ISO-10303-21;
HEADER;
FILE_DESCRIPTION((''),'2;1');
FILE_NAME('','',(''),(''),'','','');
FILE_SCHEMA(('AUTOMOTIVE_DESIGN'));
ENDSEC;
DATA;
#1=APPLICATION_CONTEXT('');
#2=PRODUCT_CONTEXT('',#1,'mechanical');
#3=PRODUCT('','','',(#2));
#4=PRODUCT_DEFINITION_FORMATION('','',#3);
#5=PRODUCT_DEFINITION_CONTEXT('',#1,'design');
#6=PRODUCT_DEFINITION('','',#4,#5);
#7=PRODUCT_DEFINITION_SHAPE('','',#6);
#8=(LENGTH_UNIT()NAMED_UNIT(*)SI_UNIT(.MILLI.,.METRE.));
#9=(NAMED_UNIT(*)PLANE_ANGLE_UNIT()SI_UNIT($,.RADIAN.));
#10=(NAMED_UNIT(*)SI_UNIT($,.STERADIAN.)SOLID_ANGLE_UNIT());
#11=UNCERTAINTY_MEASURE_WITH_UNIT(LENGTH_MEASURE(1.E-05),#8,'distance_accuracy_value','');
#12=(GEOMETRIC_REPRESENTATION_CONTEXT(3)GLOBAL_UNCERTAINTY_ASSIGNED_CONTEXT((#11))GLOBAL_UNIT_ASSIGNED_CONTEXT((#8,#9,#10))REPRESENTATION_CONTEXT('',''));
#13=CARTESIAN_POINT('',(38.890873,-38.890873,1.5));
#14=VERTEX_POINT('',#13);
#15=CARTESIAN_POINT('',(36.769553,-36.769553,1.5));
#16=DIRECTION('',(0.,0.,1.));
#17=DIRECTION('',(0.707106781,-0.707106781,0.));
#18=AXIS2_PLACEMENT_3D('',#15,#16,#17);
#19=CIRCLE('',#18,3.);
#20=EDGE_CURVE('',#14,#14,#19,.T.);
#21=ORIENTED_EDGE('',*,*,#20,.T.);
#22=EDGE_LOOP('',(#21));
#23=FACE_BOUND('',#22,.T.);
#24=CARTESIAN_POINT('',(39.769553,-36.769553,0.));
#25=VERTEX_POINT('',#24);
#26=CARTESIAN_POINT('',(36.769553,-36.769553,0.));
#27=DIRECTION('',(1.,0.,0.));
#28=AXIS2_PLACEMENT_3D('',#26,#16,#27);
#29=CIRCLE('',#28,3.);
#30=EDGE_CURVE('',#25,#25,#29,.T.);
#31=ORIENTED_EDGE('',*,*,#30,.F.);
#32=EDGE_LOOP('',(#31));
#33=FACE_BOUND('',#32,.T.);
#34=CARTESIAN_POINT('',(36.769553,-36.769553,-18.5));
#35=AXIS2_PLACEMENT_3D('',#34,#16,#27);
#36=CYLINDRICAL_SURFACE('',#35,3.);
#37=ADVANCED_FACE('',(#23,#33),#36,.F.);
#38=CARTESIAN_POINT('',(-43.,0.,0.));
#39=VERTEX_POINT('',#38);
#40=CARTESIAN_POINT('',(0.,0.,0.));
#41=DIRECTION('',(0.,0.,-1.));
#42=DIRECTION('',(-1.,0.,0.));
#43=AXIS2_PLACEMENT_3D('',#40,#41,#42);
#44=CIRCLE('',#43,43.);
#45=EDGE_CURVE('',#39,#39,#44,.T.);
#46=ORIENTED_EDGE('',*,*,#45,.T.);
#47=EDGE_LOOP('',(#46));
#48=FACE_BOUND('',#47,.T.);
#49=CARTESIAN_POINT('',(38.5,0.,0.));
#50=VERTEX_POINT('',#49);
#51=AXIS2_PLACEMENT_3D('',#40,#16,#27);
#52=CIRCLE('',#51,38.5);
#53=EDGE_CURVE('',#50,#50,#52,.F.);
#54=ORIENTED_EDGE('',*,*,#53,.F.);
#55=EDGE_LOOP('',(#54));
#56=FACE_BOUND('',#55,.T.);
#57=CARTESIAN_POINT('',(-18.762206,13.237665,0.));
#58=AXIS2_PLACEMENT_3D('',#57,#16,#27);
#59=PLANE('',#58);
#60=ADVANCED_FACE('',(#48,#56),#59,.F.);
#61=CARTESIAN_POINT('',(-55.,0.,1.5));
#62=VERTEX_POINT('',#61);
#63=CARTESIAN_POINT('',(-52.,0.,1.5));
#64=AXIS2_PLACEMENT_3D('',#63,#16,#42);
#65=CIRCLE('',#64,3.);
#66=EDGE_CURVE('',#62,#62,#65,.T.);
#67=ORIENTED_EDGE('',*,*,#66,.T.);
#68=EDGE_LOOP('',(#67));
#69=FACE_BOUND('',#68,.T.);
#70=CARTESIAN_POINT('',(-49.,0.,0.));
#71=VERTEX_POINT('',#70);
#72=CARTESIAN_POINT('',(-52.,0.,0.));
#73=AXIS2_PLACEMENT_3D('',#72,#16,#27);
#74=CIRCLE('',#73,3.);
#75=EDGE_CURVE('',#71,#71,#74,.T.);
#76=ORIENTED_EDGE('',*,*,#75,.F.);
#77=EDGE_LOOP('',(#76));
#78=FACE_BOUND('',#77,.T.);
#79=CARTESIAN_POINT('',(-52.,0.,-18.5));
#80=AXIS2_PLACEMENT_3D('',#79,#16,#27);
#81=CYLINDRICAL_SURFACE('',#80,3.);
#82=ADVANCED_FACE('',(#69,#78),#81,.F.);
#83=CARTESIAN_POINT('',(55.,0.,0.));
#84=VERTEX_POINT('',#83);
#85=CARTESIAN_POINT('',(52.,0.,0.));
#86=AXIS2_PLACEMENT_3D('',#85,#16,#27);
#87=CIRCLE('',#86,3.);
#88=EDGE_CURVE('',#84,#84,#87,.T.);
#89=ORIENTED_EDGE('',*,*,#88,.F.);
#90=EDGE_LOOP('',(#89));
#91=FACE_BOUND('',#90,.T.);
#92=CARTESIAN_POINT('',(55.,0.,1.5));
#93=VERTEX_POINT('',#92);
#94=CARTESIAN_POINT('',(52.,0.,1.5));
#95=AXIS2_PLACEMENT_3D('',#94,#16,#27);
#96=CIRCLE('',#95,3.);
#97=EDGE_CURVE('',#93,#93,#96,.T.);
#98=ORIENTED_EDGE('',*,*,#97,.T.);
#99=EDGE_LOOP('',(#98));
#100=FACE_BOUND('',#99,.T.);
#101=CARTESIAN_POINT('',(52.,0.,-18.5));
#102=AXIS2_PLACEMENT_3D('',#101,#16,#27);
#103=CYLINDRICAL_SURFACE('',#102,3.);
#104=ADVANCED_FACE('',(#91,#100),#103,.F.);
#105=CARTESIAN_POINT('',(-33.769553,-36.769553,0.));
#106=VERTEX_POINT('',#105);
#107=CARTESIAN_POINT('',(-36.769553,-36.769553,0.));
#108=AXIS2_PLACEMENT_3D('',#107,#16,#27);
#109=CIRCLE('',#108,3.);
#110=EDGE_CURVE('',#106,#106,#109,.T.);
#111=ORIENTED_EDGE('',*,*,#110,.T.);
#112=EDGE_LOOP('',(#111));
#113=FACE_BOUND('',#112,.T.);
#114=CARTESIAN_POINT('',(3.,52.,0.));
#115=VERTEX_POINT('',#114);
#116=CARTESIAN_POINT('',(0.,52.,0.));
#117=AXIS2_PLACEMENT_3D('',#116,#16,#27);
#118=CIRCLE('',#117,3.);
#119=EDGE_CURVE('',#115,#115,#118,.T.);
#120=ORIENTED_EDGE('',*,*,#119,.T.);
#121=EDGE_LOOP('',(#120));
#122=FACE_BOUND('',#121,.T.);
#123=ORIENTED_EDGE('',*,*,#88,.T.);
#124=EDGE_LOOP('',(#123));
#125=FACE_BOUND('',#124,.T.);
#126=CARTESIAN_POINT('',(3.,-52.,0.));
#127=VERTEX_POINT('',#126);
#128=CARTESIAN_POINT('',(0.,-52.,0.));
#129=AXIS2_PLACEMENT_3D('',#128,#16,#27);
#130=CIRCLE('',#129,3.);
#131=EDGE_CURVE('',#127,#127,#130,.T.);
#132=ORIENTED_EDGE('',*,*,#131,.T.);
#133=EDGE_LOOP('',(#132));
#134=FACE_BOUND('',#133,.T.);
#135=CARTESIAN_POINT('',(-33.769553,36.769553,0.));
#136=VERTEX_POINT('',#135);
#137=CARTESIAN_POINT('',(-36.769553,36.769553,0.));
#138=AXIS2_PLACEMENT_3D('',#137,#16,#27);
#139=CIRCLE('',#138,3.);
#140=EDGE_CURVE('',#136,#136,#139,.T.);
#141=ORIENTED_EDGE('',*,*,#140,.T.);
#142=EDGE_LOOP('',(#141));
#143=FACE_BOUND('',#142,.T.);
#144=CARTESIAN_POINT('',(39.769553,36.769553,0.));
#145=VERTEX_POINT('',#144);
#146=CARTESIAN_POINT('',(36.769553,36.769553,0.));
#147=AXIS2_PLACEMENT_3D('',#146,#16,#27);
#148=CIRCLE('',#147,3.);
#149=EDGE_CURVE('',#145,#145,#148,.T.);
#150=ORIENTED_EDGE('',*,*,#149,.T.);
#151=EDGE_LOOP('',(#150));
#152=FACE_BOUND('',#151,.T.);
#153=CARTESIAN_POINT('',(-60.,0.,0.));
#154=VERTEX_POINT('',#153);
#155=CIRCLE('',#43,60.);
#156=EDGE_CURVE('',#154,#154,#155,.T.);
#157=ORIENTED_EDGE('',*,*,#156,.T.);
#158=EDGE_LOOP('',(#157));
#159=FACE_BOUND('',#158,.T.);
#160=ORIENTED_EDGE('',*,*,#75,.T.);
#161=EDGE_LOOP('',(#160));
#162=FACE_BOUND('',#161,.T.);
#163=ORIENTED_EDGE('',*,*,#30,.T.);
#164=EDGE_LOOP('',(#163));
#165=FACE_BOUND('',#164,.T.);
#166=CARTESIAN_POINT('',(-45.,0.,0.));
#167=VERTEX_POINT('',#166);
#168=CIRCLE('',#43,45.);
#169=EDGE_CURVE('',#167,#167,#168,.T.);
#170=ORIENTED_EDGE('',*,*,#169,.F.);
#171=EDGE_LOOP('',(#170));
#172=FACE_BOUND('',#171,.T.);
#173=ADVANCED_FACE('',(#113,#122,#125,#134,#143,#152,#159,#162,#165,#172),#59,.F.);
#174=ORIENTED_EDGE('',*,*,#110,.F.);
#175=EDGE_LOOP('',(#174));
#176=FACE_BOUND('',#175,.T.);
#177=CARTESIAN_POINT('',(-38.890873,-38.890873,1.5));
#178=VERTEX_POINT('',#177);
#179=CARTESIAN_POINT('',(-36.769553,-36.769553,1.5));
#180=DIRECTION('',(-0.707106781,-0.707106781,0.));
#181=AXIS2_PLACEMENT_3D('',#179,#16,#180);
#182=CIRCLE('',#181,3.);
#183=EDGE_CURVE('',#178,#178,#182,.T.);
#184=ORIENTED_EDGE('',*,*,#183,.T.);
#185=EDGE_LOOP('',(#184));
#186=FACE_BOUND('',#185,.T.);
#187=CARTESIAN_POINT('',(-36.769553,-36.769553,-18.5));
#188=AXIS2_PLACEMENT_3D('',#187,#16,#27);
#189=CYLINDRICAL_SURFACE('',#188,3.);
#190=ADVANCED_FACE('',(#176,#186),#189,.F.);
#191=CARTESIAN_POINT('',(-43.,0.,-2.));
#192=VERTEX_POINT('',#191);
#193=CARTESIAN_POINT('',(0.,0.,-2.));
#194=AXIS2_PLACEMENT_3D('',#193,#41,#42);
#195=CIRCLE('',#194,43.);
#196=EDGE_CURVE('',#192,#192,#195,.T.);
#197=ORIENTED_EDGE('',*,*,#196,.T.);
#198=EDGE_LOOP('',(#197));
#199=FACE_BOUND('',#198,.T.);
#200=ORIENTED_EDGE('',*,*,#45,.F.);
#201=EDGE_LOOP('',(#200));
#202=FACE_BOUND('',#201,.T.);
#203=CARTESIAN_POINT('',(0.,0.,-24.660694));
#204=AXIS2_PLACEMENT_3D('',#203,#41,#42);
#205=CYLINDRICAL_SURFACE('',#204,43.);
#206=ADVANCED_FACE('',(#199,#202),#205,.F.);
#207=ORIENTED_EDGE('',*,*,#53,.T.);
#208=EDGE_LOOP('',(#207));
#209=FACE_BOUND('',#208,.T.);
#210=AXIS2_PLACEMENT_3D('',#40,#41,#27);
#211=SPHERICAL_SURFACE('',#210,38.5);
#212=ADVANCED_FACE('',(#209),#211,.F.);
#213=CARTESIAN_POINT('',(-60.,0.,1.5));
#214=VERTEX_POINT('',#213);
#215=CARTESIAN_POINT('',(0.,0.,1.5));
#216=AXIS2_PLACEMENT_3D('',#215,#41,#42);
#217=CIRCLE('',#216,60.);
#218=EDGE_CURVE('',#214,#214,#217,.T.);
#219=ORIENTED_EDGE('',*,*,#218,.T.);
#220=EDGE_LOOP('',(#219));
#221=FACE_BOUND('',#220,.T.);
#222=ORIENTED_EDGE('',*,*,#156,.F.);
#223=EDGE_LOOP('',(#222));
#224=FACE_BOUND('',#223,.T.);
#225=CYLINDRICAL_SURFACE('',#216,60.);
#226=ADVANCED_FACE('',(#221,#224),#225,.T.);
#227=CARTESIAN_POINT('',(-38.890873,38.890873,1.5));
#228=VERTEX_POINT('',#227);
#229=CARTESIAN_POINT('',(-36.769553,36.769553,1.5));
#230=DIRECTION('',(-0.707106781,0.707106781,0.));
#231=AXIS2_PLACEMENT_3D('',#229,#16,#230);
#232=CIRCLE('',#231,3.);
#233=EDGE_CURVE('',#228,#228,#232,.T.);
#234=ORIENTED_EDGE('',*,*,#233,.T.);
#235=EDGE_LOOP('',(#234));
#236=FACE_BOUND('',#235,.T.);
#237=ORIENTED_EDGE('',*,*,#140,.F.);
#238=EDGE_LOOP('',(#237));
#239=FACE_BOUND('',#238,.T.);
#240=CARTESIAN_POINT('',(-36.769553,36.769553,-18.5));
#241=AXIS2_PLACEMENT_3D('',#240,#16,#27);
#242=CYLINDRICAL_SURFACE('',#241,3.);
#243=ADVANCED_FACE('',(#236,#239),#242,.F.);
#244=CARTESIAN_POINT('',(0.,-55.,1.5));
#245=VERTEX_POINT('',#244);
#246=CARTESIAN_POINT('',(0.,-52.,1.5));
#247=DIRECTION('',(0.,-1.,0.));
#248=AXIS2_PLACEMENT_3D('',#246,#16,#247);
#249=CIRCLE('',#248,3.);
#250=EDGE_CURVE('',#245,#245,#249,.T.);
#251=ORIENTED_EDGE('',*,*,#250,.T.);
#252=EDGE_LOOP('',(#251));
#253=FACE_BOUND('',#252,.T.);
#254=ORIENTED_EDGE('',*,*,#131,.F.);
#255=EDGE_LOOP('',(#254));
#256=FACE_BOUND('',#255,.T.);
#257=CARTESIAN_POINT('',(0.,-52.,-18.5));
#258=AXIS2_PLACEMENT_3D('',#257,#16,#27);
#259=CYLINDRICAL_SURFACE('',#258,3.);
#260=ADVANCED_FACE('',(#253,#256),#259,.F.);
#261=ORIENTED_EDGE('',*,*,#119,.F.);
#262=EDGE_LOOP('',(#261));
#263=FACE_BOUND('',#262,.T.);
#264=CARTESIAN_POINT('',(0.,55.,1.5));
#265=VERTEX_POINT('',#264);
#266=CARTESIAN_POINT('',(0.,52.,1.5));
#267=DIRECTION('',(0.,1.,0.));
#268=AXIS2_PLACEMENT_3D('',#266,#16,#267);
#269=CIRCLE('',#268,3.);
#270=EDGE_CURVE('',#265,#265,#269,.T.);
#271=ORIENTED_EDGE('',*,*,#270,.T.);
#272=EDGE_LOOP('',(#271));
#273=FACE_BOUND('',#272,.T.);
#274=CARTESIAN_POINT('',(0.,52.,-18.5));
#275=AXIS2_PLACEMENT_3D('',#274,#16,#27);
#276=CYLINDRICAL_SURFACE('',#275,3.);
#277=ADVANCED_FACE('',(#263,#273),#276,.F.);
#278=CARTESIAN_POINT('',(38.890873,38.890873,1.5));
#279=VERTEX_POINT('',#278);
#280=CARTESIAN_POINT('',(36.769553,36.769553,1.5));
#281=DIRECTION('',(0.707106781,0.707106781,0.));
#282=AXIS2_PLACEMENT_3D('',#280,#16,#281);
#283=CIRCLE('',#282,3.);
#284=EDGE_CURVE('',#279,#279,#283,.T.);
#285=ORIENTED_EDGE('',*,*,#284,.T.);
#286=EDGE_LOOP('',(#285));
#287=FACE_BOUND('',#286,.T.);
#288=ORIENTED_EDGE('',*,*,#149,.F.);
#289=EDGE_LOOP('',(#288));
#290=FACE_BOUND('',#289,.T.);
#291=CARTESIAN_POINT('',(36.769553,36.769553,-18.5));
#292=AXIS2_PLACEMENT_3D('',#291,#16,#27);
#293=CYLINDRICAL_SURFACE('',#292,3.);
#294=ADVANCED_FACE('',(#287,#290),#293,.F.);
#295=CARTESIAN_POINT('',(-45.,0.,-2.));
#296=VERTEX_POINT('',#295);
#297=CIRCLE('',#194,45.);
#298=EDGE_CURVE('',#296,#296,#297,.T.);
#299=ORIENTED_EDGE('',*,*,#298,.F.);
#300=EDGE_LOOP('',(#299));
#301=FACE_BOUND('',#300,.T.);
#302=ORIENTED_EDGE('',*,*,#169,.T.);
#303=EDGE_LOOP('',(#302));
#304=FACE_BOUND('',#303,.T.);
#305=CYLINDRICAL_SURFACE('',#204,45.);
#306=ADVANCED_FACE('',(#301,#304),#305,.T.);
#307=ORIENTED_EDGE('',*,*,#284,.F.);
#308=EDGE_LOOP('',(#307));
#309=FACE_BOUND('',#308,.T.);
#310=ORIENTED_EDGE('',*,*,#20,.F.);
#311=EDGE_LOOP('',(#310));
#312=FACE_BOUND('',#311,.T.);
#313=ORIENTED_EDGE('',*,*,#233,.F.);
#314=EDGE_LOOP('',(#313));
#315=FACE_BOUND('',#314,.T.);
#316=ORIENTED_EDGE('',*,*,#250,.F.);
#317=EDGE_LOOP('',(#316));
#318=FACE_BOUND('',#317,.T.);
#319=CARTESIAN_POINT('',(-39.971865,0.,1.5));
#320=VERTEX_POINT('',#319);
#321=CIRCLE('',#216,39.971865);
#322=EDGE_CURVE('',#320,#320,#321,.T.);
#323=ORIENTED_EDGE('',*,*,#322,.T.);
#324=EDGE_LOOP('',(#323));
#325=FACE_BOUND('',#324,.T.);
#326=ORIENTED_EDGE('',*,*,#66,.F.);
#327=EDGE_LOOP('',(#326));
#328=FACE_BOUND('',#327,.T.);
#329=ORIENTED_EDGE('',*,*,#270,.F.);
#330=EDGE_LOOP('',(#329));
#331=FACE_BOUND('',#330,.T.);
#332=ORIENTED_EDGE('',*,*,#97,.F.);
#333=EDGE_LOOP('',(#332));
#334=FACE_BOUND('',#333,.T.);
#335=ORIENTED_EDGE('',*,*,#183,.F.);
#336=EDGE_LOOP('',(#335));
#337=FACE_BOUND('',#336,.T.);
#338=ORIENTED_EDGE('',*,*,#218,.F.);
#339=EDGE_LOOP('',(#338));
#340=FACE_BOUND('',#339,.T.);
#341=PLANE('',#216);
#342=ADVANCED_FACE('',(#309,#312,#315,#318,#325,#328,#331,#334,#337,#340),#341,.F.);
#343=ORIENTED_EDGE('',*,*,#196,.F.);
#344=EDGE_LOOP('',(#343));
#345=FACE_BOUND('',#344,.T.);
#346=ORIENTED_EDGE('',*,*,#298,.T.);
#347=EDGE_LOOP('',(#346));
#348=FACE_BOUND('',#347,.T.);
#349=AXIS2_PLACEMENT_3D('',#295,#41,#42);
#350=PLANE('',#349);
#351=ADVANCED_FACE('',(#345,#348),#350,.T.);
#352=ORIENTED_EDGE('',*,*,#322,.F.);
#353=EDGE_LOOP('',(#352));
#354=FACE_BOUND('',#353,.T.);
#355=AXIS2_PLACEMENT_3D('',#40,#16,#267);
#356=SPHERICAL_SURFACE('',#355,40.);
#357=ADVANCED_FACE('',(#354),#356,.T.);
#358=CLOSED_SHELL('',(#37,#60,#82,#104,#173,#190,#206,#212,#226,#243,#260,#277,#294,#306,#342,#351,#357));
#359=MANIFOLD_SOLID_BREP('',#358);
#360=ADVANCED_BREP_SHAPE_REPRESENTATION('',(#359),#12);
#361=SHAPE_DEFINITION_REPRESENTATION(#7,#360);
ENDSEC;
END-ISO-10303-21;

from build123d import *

# Parameters (mm, degrees)
SKETCH_2_R               = 101.541015805
CUT_EXTRUDE_1_DEPTH      = 92
SKETCH_4_R               = 60
SKETCH_4_R_2             = 39
EXTRUDE_1_DEPTH          = 1.5
SKETCH_5_W               = 2
SKETCH_5_H               = 2
SKETCH_6_R               = 3
CUT_EXTRUDE_2_DEPTH      = 20
PATTERN_CIRCULAR_1_COUNT = 8


with BuildPart() as part:
    # 草图1 → 旋转1 (revolve)
    with BuildSketch(Plane(origin=(0, 0, 0), x_dir=(0, 0, -1), z_dir=(1, 0, 0))):
        with BuildLine():
            Line((-40, 0), (40, 0))
            ThreePointArc((40, 0), (0, 40), (-40, 0))
        make_face()
    revolve(axis=Axis((0, 0, 40), (0, 0, -1)))

    # 草图2 → 切除-拉伸1 (cut)
    with BuildSketch(Plane.XY):
        with Locations((-18.762206379, 13.237665106)):
            Circle(SKETCH_2_R)
    extrude(amount=-CUT_EXTRUDE_1_DEPTH, mode=Mode.SUBTRACT)

    # 草图3 → 切除-旋转1 (revolve, cut)
    with BuildSketch(Plane(origin=(0, 0, 0), x_dir=(1, 0, 0), z_dir=(0, 1, 0))):
        with BuildLine():
            Line((0, 38.5), (0, -38.5))
            ThreePointArc((0, -38.5), (38.5, 0), (0, 38.5))
        make_face()
    revolve(axis=Axis((0, 0, -38.5), (0, 0, 1)), mode=Mode.SUBTRACT)

    # 草图4 → 凸台-拉伸1 (add)
    with BuildSketch(Plane(origin=(0, 0, 0), x_dir=(-1, 0, 0), z_dir=(0, 0, -1))):
        Circle(SKETCH_4_R)
        Circle(SKETCH_4_R_2, mode=Mode.SUBTRACT)
    extrude(amount=-EXTRUDE_1_DEPTH)

    # 草图5 → 旋转2 (revolve)
    with BuildSketch(Plane(origin=(0, 0, 0), x_dir=(1, 0, 0), z_dir=(0, 1, 0)), mode=Mode.PRIVATE) as revolve_2_sk:
        with Locations((-44, 1)):
            Rectangle(SKETCH_5_W, SKETCH_5_H)
    revolve(revolve_2_sk.sketch.rotate(Axis((0, 0, -24.660694069), (0, 0, 1)), 270), axis=Axis((0, 0, -24.660694069), (0, 0, 1)))

    # 草图6 → 切除-拉伸2 (cut)
    with BuildSketch(Plane.XY.offset(1.5)):
        with Locations((52, 0)):
            Circle(SKETCH_6_R)
    cut_extrude_2 = extrude(amount=-CUT_EXTRUDE_2_DEPTH, mode=Mode.SUBTRACT)

    # 阵列(圆周)1: 切除-拉伸2 ×8 about axis
    pattern_circular_1_axis = Axis((0, 0, 0), (0, 0, 1))
    for i in range(1, PATTERN_CIRCULAR_1_COUNT):
        add(cut_extrude_2.rotate(pattern_circular_1_axis, i * 360 / PATTERN_CIRCULAR_1_COUNT), mode=Mode.SUBTRACT)


solid = part.part
